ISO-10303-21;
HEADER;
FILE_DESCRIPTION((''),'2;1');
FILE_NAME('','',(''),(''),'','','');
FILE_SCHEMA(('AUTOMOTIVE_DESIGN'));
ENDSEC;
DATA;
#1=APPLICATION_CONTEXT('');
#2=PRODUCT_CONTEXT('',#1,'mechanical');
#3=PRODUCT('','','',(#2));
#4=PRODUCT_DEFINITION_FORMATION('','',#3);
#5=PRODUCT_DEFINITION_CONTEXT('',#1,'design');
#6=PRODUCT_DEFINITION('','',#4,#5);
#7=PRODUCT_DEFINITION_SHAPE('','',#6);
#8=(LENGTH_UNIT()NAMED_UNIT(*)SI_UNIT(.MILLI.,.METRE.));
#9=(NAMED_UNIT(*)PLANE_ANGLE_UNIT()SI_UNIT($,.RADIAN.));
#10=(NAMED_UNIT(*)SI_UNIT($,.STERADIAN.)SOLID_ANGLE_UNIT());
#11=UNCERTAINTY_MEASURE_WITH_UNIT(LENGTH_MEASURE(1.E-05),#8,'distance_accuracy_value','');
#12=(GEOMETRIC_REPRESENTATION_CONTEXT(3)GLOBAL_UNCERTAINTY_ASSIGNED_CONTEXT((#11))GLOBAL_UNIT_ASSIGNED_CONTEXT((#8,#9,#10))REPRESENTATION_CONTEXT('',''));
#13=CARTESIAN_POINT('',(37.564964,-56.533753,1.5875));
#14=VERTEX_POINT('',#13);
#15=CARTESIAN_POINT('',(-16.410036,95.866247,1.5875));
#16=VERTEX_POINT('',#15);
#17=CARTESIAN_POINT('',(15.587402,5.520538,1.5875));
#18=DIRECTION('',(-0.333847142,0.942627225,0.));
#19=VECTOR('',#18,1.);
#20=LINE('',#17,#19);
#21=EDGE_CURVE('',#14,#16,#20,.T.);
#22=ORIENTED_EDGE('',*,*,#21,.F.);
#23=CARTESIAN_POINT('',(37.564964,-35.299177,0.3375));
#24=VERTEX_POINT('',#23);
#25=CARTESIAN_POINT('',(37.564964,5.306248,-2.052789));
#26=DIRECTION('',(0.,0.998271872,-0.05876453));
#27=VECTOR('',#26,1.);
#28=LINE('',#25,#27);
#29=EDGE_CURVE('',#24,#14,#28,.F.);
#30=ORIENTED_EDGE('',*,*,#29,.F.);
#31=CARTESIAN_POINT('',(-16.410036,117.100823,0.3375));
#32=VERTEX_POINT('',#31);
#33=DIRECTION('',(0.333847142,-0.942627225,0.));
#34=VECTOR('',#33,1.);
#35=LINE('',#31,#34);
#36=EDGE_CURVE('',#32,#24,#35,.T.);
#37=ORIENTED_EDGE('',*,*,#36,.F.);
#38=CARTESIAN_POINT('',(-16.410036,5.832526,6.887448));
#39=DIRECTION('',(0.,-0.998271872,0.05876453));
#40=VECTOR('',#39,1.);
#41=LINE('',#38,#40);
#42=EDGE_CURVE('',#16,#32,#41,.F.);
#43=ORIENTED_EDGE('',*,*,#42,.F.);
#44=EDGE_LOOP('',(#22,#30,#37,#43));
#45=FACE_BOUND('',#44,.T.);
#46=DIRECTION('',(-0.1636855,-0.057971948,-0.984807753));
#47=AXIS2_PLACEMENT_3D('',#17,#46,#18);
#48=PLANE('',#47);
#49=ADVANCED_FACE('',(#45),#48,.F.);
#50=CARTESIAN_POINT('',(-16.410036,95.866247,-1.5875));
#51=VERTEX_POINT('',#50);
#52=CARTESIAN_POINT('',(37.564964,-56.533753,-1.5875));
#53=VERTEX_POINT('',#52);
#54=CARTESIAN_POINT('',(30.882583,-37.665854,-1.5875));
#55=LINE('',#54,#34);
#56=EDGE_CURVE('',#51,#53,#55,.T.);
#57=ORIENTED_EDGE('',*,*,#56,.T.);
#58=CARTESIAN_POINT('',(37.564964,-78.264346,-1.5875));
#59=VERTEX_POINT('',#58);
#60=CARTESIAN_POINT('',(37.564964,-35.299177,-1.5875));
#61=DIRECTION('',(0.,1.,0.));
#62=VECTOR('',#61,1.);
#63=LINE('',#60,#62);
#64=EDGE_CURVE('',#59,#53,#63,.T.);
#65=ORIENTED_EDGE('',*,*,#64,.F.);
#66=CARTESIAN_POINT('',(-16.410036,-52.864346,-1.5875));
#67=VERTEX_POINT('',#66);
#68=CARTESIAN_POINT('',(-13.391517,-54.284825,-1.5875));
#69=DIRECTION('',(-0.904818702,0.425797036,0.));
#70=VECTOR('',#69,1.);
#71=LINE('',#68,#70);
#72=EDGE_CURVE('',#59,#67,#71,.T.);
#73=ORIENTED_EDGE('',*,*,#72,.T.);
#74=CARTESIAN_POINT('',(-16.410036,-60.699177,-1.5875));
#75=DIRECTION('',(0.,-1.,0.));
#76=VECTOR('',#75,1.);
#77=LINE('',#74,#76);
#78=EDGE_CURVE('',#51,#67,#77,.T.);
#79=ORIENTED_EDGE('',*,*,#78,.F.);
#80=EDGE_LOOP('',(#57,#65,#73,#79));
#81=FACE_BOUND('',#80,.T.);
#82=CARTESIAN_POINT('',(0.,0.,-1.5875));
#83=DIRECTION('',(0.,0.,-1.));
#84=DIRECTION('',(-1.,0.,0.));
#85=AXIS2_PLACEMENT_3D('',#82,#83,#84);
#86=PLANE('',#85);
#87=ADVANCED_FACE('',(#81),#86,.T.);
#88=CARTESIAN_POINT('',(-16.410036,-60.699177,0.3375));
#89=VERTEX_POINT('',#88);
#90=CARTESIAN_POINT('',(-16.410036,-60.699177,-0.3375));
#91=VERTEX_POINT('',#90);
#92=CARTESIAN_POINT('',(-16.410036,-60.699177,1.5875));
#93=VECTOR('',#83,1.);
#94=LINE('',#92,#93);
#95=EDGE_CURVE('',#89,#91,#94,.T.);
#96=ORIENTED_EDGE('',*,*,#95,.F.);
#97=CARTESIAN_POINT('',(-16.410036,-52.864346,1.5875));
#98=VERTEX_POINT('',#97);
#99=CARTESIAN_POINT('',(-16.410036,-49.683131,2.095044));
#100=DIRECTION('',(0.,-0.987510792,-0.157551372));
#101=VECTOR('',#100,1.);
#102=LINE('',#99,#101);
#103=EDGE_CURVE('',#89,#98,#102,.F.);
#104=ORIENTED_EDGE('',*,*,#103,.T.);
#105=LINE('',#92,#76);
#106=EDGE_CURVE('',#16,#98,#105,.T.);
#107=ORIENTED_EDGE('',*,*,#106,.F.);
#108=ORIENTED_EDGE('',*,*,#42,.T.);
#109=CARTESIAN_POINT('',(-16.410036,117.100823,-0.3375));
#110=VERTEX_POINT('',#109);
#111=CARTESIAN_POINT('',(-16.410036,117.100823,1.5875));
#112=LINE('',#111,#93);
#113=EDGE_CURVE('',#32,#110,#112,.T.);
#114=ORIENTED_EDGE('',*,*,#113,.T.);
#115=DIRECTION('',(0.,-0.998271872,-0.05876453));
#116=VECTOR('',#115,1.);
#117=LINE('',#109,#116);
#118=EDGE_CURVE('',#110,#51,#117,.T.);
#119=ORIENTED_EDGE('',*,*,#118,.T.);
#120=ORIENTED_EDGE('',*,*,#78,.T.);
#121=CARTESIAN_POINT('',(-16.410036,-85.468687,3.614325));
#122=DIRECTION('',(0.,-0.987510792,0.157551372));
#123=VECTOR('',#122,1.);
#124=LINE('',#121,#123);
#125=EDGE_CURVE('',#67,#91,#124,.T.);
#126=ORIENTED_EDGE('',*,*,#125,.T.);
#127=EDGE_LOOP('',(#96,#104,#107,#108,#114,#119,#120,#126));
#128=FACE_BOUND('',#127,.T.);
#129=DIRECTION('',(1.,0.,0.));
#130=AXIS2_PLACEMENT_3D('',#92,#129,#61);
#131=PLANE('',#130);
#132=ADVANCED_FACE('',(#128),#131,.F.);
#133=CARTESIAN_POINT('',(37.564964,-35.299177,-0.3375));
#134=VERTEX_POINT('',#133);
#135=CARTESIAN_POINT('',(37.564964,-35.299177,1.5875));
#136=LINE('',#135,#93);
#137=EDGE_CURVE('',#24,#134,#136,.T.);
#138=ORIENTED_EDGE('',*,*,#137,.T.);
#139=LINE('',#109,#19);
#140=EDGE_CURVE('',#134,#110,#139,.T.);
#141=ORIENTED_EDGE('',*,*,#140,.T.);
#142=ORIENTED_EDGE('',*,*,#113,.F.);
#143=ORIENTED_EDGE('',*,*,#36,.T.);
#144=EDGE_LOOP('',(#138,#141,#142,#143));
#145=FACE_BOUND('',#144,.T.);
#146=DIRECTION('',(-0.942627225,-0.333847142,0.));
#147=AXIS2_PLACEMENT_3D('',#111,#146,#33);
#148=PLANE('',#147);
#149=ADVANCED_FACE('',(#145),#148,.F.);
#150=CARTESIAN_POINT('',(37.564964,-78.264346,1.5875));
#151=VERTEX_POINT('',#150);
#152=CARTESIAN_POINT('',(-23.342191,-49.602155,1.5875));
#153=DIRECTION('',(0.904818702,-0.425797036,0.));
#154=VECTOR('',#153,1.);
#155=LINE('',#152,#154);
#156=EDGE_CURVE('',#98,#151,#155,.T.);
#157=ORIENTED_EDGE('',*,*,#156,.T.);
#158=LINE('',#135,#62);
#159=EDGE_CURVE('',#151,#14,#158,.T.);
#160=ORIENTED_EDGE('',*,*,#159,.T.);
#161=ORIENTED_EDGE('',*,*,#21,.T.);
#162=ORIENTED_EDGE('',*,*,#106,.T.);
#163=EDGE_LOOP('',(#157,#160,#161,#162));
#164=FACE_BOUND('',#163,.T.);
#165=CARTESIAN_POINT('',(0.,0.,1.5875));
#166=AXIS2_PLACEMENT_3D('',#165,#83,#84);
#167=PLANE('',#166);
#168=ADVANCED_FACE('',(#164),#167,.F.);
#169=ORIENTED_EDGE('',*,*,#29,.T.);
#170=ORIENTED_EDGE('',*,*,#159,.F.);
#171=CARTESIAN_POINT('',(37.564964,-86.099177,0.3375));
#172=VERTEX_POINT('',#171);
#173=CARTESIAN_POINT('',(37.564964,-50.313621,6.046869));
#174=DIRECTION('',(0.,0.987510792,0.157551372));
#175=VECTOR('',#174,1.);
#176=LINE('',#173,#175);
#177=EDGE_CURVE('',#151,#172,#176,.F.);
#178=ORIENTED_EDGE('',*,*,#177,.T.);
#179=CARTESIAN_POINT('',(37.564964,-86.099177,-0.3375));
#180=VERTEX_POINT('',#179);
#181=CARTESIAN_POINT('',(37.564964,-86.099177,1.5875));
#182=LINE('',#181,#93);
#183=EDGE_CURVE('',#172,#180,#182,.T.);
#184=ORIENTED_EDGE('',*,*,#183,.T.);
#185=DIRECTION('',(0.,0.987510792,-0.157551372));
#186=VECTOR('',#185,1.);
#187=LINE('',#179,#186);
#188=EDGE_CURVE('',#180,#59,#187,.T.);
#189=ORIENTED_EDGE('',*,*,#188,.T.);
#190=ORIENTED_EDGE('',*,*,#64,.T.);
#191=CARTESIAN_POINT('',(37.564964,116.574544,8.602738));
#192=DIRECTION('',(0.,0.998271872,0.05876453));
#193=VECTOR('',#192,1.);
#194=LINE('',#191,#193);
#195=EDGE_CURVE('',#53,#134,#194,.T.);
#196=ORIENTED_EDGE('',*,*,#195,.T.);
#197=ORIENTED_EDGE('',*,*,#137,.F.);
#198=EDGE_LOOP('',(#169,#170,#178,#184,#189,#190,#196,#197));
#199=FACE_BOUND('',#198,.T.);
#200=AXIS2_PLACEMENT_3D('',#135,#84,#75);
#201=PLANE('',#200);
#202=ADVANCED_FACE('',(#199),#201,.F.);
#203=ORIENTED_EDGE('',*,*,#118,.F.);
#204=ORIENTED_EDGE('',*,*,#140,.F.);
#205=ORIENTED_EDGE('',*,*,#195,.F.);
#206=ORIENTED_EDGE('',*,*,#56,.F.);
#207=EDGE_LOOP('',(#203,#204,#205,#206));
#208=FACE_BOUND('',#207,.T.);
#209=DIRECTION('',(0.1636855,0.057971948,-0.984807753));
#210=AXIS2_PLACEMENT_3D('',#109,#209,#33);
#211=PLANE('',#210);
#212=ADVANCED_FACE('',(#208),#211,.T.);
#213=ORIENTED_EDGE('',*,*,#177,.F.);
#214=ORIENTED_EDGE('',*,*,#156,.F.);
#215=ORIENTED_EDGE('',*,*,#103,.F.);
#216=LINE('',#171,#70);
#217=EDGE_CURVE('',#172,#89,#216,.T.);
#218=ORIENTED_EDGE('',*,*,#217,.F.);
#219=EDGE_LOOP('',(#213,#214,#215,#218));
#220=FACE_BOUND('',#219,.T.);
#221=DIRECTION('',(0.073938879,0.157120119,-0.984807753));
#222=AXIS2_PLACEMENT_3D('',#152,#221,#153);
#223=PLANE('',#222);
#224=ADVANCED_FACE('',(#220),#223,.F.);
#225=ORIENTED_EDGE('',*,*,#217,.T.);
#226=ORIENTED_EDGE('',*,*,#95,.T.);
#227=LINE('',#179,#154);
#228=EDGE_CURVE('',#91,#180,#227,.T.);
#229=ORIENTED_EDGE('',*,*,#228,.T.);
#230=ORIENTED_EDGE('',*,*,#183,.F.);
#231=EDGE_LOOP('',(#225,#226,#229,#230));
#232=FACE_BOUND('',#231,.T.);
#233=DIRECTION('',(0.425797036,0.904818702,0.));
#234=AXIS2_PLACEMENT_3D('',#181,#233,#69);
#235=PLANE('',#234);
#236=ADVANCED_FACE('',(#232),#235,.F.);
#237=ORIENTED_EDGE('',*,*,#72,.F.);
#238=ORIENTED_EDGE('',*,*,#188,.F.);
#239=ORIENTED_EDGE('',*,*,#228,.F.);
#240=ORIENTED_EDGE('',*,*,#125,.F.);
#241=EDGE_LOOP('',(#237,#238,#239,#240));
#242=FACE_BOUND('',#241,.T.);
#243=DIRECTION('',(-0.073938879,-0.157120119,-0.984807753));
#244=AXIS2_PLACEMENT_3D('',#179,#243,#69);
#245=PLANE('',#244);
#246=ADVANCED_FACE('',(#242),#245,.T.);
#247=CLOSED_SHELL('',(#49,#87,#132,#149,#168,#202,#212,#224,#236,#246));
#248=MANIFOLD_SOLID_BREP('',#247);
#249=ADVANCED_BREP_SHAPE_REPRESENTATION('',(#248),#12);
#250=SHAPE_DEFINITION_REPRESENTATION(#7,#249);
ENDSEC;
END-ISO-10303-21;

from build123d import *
from OCP.BRepFilletAPI import BRepFilletAPI_MakeChamfer

# Parameters (mm, degrees)
BOSS_EXTRUDE1_DEPTH = 1.5875
CHAMFER1_SIZE       = 1.25
CHAMFER1_SIZE2      = 7.089102275


with BuildPart() as part:
    # Sketch1 → Boss-Extrude1 (new, symmetric)
    with BuildSketch(Plane.XY):
        Polygon((-16.410036231, -60.699177334), (-16.410036231, 117.100822666), (37.564963769, -35.299177334), (37.564963769, -86.099177334), align=None)
    extrude(amount=BOSS_EXTRUDE1_DEPTH, both=True)

    # Chamfer1: one chamfer whose edges measure the first distance from different faces: ONE call of the kernel's chamfer builder (chamfer() names one face for all edges)
    chamfer1_edges_1 = [part.edges().sort_by_distance(p)[0] for p in [
        (10.577463769, 40.900822666, 1.5875),
        (10.577463769, 40.900822666, -1.5875),
    ]]
    chamfer1_side_1 = [part.faces().sort_by_distance(p)[0] for p in [
        (10.577463769, 40.900822666, 0),
    ]]
    chamfer1_edges_2 = [part.edges().sort_by_distance(p)[0] for p in [
        (10.577463769, -73.399177334, 1.5875),
        (10.577463769, -73.399177334, -1.5875),
    ]]
    chamfer1_side_2 = [part.faces().sort_by_distance(p)[0] for p in [
        (10.577463769, -73.399177334, 0),
    ]]
    chamfer1 = BRepFilletAPI_MakeChamfer(part.part.solid().wrapped)
    for e in chamfer1_edges_1:
        chamfer1.Add(CHAMFER1_SIZE, CHAMFER1_SIZE2, e.wrapped, chamfer1_side_1[0].wrapped)  # the first distance lies on this face
    for e in chamfer1_edges_2:
        chamfer1.Add(CHAMFER1_SIZE, CHAMFER1_SIZE2, e.wrapped, chamfer1_side_2[0].wrapped)  # the first distance lies on this face
    add(Compound.cast(chamfer1.Shape()), mode=Mode.REPLACE)


solid = part.part
